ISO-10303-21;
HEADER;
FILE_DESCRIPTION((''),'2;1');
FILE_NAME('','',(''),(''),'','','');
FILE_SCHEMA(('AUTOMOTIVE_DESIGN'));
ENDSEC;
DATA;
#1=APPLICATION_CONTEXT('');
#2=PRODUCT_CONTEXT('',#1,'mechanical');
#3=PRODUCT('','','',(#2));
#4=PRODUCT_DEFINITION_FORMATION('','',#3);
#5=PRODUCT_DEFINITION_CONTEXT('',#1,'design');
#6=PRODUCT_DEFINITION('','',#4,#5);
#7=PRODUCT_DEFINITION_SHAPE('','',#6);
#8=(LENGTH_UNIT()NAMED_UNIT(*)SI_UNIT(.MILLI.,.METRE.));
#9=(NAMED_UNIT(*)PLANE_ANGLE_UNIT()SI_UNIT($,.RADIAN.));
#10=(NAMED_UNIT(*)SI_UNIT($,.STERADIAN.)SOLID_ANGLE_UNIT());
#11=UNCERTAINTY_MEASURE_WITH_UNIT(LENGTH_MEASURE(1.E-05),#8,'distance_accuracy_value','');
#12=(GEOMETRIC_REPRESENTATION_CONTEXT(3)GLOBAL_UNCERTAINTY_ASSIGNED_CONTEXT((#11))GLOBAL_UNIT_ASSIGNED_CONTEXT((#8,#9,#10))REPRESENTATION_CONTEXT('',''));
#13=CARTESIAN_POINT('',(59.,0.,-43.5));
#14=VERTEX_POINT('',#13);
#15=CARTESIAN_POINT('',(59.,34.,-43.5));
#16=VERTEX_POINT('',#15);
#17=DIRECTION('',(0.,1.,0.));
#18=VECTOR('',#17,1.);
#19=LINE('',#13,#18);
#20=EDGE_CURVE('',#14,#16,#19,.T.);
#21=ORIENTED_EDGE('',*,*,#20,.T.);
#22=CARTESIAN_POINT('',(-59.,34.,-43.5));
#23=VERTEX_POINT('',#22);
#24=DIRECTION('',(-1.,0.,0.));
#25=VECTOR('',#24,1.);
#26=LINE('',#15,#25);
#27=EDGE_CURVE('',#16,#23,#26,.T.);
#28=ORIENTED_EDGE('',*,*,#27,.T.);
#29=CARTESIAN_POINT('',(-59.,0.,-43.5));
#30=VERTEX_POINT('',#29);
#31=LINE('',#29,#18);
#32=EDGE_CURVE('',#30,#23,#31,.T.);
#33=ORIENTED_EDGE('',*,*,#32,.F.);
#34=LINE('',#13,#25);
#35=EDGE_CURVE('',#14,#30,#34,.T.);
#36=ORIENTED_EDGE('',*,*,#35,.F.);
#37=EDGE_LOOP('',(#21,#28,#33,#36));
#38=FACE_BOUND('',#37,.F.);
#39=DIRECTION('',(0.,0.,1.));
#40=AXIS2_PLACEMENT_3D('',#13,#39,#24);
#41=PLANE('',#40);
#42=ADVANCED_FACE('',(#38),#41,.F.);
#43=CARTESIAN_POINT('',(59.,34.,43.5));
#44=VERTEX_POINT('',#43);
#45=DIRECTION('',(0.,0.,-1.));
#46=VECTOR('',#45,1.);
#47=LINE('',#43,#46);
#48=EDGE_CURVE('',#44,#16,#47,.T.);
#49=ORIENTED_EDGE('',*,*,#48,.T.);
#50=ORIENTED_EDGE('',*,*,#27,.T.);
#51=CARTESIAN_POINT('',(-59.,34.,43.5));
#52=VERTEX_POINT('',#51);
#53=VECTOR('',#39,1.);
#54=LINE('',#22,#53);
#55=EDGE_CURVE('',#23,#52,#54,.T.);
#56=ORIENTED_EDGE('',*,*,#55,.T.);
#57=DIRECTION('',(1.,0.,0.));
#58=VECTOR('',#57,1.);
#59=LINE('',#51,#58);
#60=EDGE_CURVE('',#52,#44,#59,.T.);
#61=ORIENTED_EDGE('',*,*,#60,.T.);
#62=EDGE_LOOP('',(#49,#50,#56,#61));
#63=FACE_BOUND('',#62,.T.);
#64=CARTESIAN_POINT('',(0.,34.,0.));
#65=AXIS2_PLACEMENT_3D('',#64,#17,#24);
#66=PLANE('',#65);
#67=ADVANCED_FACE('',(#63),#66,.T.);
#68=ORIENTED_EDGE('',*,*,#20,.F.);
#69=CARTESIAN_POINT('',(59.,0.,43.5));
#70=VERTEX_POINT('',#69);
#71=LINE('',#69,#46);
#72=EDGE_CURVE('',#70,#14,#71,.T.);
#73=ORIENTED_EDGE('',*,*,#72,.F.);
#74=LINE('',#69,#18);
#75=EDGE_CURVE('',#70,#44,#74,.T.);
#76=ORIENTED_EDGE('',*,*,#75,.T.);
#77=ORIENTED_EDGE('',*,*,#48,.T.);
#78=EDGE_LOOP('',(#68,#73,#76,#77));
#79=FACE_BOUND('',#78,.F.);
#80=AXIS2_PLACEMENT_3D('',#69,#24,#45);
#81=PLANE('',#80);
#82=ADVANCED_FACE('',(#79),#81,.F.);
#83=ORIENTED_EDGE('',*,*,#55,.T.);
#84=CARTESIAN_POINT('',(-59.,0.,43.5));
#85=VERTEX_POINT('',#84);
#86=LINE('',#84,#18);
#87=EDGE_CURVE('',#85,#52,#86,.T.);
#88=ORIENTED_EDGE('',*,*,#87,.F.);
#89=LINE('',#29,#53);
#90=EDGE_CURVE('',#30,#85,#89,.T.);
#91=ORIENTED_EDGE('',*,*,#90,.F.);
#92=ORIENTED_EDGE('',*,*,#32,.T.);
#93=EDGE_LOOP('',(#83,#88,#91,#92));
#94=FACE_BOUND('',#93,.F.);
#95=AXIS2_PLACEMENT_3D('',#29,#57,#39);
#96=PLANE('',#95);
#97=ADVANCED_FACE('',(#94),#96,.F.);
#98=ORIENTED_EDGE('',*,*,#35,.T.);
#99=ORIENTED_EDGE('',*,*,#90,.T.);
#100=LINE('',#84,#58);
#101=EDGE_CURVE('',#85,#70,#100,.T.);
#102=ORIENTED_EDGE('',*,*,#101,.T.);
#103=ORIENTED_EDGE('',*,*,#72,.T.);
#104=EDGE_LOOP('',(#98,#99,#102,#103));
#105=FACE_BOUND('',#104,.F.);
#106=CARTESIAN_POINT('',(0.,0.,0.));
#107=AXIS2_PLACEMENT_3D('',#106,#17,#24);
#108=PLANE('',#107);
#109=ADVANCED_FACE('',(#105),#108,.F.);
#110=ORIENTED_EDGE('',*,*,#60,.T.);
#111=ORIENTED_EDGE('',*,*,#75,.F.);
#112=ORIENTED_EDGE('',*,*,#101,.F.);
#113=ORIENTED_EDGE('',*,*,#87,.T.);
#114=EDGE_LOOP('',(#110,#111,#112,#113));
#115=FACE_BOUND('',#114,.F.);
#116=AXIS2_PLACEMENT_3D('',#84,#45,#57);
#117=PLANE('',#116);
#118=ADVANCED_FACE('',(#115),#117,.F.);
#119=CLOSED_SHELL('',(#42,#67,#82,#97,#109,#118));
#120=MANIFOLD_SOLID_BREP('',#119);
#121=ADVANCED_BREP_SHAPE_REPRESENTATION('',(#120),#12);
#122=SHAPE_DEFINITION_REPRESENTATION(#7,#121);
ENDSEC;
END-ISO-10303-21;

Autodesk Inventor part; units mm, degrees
ref_plane "YZ Plane" through (0, 0, 0) normal (1, 0, 0) x (0, 1, 0)
ref_plane "XZ Plane" through (0, 0, 0) normal (0, 1, 0) x (-1, 0, 0)
ref_plane "XY Plane" through (0, 0, 0) normal (0, 0, 1) x (1, 0, 0)
sketch "Sketch1" plane through (0, 0, 0) normal (0, 1, 0) x (-1, 0, 0)
  line L0 (59, 43.5) -> (-59, 43.5)
  line L1 (-59, 43.5) -> (-59, -43.5)
  line L2 (-59, -43.5) -> (59, -43.5)
  line L3 (59, -43.5) -> (59, 43.5)
  point P0 (0, 0)
  point P1 (59, 0)
  point P2 (0, -43.5)
  dimension "d0" = 118
  dimension "d1" = 87
extrude "Extrusion1" add sketch "Sketch1" along normal blind 34
properties part number "STP_DR"
